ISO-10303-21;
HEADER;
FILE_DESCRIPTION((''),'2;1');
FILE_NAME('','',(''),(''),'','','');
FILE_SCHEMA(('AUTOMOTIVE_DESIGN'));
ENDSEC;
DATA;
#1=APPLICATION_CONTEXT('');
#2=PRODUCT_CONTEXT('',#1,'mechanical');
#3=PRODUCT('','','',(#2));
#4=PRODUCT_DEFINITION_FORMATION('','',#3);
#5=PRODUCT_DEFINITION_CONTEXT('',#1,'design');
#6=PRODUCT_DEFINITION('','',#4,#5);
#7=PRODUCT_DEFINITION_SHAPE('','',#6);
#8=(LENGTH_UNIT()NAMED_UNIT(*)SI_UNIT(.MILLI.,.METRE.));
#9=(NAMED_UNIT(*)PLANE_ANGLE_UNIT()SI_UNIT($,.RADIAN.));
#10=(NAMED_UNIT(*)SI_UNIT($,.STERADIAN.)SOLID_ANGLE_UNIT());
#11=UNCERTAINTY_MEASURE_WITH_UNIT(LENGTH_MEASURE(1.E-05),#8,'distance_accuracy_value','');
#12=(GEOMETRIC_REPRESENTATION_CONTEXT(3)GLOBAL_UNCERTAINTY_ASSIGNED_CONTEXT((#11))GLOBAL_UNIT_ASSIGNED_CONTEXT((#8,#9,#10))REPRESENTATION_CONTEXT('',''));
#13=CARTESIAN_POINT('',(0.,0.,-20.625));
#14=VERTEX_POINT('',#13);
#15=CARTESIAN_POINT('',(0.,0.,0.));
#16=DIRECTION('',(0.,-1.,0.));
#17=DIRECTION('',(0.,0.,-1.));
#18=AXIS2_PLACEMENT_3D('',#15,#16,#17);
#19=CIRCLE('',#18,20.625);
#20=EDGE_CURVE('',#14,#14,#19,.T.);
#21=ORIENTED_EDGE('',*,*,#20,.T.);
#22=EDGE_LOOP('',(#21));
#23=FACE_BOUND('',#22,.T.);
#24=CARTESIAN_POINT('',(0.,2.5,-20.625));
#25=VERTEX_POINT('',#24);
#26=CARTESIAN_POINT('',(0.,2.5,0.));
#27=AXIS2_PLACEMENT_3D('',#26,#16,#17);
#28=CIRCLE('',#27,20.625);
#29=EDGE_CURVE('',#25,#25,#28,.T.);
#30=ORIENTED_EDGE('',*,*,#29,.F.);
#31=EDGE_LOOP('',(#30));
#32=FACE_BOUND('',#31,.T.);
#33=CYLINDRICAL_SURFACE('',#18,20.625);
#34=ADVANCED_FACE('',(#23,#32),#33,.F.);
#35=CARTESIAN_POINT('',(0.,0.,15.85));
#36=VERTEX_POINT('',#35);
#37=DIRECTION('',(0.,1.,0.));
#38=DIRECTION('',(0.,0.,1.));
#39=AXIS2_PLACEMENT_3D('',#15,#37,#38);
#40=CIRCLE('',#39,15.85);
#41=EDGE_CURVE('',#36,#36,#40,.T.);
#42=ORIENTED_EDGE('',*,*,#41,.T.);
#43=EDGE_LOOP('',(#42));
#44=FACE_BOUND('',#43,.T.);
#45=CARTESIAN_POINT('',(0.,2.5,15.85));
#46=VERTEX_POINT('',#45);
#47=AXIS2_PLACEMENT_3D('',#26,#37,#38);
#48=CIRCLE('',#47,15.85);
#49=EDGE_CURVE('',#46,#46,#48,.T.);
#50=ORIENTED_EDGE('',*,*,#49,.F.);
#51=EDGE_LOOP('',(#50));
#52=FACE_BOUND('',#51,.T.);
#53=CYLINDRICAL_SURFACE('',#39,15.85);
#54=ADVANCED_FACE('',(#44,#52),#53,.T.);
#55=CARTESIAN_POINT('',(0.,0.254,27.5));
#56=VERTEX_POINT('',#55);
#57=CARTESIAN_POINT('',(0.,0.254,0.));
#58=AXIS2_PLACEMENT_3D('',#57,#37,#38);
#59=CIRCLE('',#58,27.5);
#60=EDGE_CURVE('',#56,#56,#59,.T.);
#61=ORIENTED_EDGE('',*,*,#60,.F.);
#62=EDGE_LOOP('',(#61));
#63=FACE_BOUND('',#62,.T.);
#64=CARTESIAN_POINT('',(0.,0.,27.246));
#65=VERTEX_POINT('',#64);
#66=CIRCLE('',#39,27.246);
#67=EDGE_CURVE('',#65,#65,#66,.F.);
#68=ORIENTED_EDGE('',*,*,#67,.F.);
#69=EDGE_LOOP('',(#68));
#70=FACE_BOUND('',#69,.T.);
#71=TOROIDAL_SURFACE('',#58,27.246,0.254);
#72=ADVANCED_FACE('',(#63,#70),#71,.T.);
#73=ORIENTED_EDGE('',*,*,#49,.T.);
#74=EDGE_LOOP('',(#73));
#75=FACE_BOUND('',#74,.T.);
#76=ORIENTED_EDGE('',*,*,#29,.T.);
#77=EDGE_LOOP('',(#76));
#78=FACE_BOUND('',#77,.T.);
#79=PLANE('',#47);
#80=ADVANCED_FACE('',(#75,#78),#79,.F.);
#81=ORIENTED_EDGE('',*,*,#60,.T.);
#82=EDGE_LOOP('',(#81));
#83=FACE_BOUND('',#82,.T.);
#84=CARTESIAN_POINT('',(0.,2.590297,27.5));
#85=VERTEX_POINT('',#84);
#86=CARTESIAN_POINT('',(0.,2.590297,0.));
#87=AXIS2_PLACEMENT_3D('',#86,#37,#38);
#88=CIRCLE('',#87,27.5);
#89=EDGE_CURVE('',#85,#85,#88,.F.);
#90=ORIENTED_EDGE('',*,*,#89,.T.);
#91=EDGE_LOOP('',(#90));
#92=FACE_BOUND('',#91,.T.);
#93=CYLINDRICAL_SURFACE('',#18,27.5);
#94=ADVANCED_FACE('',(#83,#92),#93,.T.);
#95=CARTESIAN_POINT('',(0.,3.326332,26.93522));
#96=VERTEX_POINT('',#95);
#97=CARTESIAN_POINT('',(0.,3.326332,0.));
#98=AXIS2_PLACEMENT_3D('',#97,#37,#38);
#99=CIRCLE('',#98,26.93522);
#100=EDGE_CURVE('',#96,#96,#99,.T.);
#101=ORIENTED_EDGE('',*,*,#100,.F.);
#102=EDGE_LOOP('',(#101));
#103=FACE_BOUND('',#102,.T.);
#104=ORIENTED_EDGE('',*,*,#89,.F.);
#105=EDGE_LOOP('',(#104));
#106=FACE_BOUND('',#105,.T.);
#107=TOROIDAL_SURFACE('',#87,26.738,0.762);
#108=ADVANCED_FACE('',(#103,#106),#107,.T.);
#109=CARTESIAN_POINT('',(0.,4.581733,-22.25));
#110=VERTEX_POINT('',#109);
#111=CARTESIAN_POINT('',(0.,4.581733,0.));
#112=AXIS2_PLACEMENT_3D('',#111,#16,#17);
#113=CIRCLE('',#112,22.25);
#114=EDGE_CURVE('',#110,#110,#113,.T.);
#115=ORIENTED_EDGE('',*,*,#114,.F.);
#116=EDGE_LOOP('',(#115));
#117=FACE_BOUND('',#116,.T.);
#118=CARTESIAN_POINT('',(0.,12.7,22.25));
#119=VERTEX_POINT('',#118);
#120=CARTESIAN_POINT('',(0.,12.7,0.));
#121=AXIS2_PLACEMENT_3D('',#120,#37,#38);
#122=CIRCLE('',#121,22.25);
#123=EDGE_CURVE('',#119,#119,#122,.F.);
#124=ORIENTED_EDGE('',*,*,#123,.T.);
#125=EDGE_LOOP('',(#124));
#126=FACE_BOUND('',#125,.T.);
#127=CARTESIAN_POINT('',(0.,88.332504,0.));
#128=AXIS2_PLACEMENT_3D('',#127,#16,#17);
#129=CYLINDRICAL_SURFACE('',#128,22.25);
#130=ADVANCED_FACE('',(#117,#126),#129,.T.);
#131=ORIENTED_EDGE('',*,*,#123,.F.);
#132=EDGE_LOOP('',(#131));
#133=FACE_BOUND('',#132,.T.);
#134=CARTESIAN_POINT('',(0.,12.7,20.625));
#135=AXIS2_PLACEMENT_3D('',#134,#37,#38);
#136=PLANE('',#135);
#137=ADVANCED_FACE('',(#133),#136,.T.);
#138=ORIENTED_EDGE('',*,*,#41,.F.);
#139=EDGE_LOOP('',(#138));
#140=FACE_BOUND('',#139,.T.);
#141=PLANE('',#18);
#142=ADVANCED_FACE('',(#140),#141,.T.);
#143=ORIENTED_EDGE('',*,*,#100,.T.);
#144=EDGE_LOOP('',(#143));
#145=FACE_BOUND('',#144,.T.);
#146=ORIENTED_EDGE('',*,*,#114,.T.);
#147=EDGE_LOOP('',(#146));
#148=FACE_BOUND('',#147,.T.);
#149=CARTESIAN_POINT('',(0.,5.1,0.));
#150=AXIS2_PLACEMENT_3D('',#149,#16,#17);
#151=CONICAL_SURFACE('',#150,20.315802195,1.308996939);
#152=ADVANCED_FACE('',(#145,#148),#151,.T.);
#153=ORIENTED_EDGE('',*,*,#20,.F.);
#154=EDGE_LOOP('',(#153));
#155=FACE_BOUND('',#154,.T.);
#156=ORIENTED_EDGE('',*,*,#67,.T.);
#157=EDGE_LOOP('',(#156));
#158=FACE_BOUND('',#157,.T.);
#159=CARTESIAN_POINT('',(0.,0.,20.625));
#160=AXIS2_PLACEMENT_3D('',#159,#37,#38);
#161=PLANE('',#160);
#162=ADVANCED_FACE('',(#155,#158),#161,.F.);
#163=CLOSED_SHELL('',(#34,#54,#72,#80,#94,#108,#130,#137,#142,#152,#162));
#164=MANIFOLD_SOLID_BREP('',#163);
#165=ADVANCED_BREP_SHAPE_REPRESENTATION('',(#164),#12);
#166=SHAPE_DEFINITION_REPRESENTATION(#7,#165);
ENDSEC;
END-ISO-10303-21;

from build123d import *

# Parameters (mm, degrees)
SKETCH2_W  = 15.85
SKETCH2_H  = 2.5
SKETCH5_R  = 22.25
STUB_DEPTH = 10.2
FILLET1_R  = 0.762
FILLET2_R  = 0.254


with BuildPart() as part:
    # Sketch1 → Flange (revolve)
    with BuildSketch(Plane(origin=(0, 0, 0), x_dir=(0, 0, -1), z_dir=(1, 0, 0)), mode=Mode.PRIVATE) as flange_sk:
        Polygon((-27.5, 0), (-27.5, 3.175), (-20.315802195, 5.1), (0, 5.1), (0, 2.5), (-20.625, 2.5), (-20.625, 0), align=None)
    revolve(flange_sk.sketch.rotate(Axis((0, 0, 0), (0, 1, 0)), 180), axis=Axis((0, 0, 0), (0, 1, 0)))

    # Sketch2 → Blank Insert (revolve)
    with BuildSketch(Plane(origin=(0, 0, 0), x_dir=(0, 0, -1), z_dir=(1, 0, 0))):
        with Locations((-7.925, 1.25)):
            Rectangle(SKETCH2_W, SKETCH2_H)
    revolve(axis=Axis((0, 0, 0), (0, -1, 0)))

    # Sketch5 → Stub (add)
    with BuildSketch(Plane.XZ.offset(-2.5)):
        with Locations(Location((0, 0, 0), (0, 0, 270))):
            Circle(SKETCH5_R)
    extrude(amount=-STUB_DEPTH)

    # Fillet1
    fillet1_edges = [part.edges().sort_by_distance(p)[0] for p in [
        (0, 3.175, 27.5),
    ]]
    fillet(fillet1_edges, radius=FILLET1_R)

    # Fillet2
    fillet2_edges = [part.edges().sort_by_distance(p)[0] for p in [
        (0, 0, 27.5),
    ]]
    fillet(fillet2_edges, radius=FILLET2_R)


solid = part.part
